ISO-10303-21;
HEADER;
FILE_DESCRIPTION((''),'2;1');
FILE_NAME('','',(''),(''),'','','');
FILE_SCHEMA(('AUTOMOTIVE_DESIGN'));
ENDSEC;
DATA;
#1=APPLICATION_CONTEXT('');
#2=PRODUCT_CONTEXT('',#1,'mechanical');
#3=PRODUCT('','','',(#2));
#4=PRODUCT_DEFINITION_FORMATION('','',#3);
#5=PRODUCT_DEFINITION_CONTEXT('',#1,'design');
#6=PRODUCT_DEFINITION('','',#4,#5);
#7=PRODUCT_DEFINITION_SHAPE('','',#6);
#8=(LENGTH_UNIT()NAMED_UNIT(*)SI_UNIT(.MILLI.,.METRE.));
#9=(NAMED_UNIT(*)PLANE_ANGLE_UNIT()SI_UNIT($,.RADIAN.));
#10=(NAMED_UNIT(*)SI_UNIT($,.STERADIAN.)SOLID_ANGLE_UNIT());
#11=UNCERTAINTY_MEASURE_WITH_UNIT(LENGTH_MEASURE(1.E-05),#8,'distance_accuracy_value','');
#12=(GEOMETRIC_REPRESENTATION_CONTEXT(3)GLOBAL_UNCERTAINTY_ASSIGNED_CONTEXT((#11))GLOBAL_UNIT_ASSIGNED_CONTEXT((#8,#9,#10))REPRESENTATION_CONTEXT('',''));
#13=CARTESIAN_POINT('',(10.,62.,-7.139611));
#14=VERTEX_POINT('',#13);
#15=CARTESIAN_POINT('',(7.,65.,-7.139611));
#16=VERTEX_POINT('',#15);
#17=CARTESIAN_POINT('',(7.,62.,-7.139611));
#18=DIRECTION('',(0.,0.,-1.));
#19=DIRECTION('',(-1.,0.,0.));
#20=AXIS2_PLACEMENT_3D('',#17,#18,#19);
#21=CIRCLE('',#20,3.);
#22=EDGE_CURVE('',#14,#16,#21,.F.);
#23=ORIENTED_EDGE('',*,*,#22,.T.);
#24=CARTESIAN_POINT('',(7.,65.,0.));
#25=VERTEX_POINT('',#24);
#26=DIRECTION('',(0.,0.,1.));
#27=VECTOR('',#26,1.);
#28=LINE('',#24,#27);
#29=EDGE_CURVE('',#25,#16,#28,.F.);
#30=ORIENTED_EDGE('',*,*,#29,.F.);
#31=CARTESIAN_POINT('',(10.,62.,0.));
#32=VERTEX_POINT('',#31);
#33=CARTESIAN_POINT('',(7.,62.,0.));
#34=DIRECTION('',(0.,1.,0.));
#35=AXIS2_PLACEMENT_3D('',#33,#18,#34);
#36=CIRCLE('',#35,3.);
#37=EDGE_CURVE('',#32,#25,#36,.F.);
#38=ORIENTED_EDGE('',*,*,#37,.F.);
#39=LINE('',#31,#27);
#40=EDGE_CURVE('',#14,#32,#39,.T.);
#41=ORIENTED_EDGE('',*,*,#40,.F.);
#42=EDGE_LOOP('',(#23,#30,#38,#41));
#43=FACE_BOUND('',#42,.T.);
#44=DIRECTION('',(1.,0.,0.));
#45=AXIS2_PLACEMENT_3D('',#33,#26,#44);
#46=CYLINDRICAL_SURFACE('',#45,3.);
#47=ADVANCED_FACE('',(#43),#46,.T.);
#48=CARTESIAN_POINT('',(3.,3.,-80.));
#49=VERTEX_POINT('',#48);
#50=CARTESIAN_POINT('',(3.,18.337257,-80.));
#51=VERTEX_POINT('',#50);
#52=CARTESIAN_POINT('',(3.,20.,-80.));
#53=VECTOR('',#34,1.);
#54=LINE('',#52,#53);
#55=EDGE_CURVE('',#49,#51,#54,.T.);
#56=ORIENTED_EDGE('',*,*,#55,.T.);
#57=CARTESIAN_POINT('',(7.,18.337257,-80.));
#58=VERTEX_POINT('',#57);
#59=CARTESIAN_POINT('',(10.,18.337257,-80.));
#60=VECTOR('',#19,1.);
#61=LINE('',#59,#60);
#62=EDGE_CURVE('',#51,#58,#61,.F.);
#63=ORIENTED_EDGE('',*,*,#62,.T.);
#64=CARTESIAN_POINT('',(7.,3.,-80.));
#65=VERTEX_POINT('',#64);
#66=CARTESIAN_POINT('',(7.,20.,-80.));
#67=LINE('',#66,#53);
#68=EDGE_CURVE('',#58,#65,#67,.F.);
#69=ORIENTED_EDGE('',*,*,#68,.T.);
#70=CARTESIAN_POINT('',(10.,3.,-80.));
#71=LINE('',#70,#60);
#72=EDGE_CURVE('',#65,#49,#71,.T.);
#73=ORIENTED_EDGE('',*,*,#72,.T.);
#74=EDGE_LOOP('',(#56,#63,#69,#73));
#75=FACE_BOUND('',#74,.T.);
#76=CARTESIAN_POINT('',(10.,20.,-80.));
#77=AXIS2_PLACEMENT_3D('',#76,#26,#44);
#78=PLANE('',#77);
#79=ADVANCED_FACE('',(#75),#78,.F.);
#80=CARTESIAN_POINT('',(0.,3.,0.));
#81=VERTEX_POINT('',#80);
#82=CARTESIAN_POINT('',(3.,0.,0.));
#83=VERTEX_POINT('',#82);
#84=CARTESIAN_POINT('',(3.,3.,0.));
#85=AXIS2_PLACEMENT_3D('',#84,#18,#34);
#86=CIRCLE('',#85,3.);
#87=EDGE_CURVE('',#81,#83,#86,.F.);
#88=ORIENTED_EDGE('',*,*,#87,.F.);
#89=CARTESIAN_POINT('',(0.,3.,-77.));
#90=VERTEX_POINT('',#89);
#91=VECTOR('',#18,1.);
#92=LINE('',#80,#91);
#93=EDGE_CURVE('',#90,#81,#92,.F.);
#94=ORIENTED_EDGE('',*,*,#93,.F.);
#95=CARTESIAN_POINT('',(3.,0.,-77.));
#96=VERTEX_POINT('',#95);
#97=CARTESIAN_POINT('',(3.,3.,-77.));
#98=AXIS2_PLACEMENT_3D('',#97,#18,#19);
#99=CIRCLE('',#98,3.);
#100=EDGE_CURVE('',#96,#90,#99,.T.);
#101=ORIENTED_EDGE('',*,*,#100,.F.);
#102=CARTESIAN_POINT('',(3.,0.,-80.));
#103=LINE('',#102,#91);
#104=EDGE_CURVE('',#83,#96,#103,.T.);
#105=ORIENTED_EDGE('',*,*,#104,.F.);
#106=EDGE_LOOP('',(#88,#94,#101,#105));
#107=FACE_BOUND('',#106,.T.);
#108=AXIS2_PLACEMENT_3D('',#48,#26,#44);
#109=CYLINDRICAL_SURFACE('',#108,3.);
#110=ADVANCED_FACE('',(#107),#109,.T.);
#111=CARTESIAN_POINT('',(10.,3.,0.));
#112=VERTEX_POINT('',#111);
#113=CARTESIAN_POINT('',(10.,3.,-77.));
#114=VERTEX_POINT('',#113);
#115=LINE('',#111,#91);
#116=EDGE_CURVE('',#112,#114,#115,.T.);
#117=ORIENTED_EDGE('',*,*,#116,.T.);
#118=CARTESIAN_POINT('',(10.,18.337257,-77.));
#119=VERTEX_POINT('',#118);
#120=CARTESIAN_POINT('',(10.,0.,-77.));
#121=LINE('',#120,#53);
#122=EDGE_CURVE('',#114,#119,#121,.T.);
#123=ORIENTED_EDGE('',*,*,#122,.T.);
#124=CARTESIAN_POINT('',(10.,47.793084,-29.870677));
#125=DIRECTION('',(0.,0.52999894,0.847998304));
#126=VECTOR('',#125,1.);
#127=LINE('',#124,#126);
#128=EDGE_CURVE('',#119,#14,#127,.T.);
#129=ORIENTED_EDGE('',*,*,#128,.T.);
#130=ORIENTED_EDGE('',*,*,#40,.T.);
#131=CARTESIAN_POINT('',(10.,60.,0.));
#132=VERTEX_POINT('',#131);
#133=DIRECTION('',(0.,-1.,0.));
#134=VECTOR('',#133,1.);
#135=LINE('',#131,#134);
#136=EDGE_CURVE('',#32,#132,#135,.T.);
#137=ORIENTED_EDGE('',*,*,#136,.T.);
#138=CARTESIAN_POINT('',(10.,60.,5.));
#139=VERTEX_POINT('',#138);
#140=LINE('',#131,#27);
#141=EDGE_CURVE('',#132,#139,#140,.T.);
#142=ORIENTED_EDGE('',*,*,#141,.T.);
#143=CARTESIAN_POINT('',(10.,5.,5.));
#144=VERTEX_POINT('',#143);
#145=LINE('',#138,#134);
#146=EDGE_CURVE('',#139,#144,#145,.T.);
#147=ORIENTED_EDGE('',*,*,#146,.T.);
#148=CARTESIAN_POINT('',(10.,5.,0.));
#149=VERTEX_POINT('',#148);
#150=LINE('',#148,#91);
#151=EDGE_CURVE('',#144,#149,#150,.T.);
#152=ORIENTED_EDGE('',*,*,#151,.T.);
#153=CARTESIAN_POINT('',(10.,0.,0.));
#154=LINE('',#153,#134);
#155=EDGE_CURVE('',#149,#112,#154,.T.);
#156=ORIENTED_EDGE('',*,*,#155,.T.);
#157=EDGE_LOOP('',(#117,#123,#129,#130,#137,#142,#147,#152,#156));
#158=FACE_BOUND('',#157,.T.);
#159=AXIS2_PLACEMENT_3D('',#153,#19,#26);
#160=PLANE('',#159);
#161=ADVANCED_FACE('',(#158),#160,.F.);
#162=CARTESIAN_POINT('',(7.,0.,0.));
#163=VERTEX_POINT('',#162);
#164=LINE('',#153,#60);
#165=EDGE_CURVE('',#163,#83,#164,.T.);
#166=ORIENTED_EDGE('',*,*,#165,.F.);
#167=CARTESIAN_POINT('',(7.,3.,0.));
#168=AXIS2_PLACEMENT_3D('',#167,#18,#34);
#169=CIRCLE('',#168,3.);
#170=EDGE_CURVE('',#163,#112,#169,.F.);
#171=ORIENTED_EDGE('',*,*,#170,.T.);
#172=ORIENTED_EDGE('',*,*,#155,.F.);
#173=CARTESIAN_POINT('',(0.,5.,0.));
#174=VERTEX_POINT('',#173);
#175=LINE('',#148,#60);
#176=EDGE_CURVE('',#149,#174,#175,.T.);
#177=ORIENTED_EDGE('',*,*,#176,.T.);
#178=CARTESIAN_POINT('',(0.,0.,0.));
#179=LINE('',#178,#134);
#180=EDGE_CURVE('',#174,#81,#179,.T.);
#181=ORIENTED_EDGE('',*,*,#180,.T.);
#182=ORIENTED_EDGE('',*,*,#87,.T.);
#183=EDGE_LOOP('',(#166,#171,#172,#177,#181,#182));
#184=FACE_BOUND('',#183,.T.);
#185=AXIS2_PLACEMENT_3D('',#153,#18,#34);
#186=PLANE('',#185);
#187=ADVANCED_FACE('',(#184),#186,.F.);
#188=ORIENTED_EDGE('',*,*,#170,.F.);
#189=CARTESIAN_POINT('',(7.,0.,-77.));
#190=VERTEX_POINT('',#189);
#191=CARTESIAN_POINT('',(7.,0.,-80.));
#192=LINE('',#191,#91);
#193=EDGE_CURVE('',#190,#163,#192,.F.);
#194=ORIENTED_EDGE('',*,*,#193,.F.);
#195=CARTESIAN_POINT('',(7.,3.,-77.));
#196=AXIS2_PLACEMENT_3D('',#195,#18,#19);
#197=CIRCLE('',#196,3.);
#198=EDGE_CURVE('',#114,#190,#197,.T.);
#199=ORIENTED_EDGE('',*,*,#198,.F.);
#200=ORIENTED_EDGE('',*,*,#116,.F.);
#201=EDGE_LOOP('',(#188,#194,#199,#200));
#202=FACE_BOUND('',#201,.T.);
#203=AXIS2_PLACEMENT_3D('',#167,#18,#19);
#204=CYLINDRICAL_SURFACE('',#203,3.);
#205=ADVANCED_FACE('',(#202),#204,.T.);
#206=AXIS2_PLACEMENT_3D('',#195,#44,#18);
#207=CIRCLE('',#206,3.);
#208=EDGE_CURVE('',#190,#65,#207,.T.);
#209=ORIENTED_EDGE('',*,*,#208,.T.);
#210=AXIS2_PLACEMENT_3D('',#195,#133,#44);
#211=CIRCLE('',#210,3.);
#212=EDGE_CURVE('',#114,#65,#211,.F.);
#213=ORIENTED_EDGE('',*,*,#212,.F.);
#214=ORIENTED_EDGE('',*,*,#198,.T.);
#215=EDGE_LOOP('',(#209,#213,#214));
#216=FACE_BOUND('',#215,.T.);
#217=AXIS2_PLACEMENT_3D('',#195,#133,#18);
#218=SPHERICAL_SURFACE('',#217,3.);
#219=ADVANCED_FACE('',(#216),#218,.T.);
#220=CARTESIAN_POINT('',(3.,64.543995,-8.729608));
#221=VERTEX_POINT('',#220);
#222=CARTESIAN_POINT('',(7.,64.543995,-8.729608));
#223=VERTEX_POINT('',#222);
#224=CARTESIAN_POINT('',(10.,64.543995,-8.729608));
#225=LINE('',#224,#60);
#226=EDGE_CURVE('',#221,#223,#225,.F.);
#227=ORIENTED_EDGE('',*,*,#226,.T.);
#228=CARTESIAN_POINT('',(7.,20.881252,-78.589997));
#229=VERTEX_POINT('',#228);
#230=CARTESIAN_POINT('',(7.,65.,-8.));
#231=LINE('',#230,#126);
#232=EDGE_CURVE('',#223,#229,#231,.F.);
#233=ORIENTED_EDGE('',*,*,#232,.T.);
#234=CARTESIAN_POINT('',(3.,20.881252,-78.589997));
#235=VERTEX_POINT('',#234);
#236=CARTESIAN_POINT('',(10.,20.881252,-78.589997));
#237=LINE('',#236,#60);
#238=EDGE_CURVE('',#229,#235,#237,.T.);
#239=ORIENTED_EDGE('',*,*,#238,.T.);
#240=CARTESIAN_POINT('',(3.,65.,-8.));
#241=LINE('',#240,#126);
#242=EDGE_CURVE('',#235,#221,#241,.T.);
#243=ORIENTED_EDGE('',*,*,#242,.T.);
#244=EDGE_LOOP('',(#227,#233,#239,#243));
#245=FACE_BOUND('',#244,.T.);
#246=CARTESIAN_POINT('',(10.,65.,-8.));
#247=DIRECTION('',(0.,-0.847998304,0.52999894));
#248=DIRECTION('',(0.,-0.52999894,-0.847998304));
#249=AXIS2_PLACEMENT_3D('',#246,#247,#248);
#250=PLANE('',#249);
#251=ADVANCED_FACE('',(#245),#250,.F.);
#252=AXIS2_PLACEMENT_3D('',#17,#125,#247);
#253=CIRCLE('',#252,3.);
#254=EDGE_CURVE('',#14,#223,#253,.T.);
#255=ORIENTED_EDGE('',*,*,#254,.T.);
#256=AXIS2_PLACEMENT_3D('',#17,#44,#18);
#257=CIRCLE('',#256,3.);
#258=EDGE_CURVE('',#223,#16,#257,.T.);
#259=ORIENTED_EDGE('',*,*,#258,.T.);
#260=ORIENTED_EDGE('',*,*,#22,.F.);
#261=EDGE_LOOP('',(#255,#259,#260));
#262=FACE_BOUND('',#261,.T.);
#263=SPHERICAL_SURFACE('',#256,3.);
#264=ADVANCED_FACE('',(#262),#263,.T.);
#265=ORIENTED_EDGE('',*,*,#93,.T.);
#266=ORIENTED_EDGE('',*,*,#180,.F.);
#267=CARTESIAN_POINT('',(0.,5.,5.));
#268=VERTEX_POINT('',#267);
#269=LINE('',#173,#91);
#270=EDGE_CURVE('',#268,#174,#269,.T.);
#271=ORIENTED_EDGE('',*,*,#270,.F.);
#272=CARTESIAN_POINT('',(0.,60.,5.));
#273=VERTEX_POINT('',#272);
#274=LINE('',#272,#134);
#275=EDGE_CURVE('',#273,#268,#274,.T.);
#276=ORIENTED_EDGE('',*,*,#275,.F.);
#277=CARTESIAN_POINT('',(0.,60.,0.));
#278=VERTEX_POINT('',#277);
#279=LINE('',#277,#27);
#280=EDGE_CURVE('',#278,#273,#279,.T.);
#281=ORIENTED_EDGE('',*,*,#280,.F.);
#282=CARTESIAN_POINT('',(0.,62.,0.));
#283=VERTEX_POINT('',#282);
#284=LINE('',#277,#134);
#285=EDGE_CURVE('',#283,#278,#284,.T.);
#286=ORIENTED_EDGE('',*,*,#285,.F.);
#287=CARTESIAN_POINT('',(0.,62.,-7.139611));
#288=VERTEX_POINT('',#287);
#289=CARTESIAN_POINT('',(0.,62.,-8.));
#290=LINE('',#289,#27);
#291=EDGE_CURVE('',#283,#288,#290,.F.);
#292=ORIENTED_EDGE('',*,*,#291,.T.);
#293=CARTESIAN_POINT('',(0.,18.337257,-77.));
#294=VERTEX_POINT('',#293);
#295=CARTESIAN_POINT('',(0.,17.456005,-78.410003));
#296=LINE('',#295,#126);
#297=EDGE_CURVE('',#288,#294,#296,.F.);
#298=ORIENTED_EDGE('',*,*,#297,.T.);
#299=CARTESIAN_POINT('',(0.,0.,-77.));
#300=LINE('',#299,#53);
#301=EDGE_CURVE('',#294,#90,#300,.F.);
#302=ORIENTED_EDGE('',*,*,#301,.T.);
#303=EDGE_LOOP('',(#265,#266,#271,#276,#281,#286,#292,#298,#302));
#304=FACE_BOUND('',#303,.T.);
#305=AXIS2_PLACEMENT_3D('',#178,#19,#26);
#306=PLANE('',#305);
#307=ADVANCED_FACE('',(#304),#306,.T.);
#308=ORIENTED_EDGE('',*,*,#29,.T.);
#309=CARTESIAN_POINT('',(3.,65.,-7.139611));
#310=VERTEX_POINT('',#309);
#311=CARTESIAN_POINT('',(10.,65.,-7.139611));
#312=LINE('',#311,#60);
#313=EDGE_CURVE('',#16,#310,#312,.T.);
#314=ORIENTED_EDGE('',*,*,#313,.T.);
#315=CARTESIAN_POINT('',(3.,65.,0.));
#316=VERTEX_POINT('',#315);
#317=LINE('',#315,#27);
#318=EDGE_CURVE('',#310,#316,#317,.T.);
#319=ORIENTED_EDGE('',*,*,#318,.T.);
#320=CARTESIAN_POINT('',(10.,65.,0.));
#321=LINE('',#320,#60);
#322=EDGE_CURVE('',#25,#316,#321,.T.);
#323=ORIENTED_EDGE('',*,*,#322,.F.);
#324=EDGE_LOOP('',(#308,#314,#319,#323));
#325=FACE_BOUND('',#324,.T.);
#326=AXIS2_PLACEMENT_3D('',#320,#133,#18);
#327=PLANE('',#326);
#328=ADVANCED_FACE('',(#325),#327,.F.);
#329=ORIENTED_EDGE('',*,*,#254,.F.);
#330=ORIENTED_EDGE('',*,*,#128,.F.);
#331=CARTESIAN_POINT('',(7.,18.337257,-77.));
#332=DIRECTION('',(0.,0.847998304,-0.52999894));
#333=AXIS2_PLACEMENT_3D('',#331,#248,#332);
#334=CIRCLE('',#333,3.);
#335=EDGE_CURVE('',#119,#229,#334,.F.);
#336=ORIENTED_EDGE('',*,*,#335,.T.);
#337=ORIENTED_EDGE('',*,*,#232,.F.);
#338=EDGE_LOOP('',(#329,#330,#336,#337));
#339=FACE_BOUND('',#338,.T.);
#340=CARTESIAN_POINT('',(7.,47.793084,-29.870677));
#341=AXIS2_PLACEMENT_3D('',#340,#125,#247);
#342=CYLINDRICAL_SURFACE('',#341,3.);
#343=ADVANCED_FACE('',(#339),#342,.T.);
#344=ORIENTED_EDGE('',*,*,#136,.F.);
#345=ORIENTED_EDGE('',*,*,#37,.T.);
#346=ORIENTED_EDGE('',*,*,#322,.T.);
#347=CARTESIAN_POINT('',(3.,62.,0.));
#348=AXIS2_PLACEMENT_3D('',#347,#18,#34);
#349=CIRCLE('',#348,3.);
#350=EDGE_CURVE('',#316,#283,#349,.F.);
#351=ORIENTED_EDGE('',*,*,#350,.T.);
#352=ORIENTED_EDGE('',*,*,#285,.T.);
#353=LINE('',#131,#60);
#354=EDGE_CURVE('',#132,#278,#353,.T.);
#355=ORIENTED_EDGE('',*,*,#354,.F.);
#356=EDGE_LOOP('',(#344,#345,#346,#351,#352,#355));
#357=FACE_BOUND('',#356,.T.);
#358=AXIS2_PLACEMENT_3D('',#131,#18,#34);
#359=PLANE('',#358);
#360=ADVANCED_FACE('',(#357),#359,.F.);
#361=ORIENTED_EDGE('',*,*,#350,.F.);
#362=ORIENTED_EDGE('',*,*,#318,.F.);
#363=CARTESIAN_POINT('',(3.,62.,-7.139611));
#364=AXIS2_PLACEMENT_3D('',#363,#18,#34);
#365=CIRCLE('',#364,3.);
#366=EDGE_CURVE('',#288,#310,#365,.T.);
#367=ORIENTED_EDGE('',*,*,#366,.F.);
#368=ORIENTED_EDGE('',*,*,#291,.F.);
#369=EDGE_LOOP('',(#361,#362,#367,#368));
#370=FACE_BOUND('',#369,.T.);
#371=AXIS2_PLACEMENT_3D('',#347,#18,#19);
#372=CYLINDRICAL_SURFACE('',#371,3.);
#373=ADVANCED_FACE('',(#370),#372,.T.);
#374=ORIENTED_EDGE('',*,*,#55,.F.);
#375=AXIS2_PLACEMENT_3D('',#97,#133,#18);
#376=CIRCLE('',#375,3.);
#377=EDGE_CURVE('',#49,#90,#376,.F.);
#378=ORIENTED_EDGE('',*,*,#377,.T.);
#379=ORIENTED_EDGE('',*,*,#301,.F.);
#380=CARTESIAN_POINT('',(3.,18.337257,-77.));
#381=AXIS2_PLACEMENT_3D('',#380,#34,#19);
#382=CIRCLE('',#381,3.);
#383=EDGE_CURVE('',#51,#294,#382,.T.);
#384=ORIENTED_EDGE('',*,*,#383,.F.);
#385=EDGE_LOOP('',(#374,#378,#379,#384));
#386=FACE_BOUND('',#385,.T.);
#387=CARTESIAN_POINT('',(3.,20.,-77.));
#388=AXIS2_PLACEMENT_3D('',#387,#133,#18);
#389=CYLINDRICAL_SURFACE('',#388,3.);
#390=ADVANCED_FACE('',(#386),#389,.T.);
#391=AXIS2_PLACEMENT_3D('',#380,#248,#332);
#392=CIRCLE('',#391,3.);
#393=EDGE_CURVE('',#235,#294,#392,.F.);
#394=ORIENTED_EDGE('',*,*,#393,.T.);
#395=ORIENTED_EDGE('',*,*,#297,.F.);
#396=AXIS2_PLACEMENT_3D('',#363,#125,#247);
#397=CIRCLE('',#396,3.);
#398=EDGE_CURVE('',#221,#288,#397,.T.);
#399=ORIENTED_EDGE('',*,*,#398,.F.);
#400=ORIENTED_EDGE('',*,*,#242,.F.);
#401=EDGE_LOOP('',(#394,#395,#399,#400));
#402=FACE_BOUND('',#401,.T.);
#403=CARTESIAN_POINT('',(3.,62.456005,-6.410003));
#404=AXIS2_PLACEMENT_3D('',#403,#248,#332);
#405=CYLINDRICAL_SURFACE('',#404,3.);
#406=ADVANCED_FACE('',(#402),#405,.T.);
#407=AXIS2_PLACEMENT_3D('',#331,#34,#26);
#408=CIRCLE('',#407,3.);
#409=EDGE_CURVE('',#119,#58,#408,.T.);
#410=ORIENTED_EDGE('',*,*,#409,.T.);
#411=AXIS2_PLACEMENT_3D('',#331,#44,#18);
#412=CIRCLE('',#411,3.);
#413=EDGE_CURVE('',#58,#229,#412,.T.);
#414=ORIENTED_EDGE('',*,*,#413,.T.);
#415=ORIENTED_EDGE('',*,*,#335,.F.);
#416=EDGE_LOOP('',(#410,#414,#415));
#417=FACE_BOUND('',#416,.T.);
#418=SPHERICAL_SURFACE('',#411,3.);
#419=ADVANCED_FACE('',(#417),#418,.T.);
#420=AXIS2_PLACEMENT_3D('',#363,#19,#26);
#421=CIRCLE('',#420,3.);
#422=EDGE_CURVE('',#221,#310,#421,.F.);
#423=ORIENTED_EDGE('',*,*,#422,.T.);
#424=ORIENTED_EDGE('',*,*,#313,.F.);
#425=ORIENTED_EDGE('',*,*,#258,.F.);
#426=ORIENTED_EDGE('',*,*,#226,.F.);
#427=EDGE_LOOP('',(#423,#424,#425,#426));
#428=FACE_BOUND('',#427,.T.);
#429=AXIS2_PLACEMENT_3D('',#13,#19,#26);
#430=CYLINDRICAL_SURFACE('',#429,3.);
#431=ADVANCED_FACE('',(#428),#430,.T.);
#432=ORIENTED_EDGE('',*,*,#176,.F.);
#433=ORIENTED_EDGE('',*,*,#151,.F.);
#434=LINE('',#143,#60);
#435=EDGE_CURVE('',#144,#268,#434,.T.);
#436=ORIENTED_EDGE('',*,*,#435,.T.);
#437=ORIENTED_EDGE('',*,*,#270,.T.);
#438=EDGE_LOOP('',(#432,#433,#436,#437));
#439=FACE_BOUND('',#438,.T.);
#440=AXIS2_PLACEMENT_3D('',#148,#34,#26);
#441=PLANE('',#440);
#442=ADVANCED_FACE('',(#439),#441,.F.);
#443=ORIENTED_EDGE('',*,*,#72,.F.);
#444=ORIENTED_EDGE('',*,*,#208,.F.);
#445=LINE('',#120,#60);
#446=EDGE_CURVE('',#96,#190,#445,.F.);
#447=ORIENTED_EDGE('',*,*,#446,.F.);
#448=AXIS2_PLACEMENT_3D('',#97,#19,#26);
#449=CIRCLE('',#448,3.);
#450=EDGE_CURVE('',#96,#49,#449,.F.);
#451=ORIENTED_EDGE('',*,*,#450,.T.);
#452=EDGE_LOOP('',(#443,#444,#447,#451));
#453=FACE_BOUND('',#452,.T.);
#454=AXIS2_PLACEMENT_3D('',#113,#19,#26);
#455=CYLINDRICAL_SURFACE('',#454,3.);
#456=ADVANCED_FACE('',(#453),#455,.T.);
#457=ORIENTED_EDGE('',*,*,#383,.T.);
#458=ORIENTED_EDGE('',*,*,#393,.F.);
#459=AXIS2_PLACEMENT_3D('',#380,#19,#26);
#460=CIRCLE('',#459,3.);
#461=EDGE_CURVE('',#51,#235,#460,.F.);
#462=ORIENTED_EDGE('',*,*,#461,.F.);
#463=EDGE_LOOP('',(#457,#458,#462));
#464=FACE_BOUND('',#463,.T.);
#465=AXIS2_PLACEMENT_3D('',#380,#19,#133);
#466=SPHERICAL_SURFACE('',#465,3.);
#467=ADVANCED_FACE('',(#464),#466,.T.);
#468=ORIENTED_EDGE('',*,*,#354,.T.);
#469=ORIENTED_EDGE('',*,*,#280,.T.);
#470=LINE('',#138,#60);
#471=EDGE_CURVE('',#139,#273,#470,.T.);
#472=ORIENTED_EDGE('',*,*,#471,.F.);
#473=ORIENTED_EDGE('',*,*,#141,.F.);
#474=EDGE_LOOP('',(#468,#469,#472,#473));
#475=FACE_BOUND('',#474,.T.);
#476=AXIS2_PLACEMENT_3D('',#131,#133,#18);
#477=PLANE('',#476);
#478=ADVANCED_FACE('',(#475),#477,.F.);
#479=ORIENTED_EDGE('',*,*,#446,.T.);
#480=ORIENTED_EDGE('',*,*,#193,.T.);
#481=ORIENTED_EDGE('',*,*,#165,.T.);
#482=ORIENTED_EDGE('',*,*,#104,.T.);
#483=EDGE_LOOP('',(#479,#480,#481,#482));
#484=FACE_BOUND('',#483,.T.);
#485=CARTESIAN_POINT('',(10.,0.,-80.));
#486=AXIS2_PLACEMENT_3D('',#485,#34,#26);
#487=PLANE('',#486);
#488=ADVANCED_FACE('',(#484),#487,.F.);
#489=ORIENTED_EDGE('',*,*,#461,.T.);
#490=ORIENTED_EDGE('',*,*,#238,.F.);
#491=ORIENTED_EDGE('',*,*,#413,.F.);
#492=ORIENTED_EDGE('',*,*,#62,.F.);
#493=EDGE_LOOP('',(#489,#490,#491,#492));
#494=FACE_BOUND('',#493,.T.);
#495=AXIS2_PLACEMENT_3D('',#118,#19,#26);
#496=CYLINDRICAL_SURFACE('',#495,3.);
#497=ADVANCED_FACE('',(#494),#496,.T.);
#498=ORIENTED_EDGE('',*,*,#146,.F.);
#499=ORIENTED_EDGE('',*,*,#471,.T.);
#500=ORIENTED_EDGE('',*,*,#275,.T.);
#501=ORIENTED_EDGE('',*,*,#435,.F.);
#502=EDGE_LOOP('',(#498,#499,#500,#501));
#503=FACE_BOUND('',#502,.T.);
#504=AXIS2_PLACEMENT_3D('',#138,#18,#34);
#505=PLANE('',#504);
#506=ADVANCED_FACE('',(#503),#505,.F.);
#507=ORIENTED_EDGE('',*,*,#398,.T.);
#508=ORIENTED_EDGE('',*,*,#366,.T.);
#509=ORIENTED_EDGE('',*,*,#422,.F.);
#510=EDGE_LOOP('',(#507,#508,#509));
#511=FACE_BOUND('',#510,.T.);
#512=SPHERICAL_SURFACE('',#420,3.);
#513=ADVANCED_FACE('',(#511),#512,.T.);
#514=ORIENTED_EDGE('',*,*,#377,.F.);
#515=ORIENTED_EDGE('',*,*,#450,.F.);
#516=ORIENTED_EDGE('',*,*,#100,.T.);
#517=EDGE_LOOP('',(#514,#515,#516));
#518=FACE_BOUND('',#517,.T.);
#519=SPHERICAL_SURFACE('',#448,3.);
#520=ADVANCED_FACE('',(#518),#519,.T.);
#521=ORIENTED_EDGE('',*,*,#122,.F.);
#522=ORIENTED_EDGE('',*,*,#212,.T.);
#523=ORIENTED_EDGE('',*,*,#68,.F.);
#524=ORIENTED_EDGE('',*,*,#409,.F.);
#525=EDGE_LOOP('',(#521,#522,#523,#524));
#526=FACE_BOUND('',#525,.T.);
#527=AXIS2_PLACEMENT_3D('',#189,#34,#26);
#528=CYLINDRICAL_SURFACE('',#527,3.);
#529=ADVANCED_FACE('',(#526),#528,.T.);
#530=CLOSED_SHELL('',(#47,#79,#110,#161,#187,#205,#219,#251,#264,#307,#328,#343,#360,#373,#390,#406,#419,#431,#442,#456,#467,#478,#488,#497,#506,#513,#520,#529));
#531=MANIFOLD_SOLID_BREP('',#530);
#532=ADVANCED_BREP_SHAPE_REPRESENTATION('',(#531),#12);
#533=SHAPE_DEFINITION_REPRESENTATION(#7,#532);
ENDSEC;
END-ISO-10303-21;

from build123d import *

# Parameters (mm, degrees)
BOSS_EXTRUDE5_DEPTH = 10
FILLET1_R           = 3


with BuildPart() as part:
    # Sketch7 → Boss-Extrude5 (new body)
    with BuildSketch(Plane(origin=(0, 0, 0), x_dir=(0, 0, -1), z_dir=(1, 0, 0))):
        Polygon((0, 0), (0, 5), (-5, 5), (-5, 60), (0, 60), (0, 65), (8, 65), (80, 20), (80, 0), align=None)
    extrude(amount=BOSS_EXTRUDE5_DEPTH)

    # Fillet1
    fillet1_edges = [part.edges().sort_by_distance(p)[0] for p in [
        (0, 65, -4),
        (0, 42.5, -44),
        (0, 10, -80),
        (0, 0, -40),
        (10, 42.5, -44),
        (5, 65, -8),
        (5, 20, -80),
        (5, 0, -80),
        (10, 65, -4),
        (10, 0, -40),
        (10, 10, -80),
    ]]
    fillet(fillet1_edges, radius=FILLET1_R)


solid = part.part
